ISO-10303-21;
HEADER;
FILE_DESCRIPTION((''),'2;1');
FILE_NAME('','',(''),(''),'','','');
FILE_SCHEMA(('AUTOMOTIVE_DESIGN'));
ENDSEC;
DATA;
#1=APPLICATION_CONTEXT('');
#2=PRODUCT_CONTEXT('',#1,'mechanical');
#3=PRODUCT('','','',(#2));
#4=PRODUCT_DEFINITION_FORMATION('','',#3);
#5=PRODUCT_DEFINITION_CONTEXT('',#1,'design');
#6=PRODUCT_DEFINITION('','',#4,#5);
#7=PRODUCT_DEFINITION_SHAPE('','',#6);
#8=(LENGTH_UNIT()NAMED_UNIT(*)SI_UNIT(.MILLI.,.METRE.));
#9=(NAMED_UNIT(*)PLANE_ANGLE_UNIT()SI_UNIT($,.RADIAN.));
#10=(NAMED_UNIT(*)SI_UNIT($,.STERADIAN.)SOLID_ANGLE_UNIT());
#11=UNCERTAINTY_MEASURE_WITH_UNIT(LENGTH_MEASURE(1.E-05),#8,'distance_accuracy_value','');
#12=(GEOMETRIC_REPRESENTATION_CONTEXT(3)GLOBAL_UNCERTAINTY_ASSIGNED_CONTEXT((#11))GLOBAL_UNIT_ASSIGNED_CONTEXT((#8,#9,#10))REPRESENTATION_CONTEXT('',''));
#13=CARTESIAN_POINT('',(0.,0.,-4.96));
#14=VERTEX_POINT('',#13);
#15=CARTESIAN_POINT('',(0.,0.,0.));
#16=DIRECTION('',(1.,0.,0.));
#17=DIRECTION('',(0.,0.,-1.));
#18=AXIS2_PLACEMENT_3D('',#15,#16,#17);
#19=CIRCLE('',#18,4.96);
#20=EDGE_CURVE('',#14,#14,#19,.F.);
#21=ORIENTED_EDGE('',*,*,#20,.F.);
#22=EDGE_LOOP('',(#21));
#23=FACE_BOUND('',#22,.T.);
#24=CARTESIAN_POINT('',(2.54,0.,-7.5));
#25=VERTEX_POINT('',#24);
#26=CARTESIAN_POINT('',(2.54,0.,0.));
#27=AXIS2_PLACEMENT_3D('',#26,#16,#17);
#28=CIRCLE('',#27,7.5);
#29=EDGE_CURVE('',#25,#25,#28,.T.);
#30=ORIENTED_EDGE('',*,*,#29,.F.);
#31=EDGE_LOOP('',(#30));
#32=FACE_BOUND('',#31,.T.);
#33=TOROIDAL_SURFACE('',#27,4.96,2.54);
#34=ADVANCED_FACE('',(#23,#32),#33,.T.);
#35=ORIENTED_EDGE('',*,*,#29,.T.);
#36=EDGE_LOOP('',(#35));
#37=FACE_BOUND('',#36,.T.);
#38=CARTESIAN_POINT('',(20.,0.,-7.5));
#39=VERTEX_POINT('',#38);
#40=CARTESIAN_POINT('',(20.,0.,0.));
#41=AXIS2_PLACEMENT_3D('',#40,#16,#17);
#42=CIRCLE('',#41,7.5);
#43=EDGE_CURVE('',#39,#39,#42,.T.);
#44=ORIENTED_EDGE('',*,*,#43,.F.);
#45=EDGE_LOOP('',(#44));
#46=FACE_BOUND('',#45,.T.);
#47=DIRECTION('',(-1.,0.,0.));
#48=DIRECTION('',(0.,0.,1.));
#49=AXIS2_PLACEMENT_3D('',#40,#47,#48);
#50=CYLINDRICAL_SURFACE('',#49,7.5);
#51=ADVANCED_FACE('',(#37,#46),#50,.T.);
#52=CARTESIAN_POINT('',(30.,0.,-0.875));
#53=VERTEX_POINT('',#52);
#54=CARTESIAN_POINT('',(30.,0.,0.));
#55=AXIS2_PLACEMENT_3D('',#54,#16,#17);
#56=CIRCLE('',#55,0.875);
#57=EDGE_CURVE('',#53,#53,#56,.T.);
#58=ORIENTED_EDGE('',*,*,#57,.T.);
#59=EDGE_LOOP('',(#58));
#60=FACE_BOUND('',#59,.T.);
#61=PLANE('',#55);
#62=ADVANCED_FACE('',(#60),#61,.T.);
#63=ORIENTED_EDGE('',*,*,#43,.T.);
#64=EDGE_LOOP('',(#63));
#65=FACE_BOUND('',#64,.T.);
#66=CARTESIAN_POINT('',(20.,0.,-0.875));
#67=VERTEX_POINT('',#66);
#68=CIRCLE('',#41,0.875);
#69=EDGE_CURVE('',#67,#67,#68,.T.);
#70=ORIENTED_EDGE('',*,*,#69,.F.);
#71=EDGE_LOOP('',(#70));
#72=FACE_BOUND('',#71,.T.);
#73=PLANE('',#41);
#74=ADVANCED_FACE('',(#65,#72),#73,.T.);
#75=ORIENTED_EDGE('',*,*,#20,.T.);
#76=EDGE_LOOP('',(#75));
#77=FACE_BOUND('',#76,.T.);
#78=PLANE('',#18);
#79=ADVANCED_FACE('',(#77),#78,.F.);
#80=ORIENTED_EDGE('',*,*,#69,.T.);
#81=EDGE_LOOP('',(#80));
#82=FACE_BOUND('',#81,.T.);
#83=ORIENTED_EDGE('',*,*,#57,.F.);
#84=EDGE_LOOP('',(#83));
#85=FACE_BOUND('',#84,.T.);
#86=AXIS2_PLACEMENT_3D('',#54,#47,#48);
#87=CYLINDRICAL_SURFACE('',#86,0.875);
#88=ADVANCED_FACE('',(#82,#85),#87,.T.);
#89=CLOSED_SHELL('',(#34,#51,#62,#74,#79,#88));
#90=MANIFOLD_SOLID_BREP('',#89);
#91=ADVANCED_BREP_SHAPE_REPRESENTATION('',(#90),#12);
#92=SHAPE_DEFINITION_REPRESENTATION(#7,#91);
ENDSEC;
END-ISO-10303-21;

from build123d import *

# Parameters (mm, degrees)
SKETCH1_R           = 7.5
BOSS_EXTRUDE1_DEPTH = 20
SKETCH2_R           = 0.875
BOSS_EXTRUDE2_DEPTH = 10
FILLET1_R           = 2.54


with BuildPart() as part:
    # Sketch1 → Boss-Extrude1 (new body)
    with BuildSketch(Plane(origin=(0, 0, 0), x_dir=(0, 0, -1), z_dir=(1, 0, 0))):
        Circle(SKETCH1_R)
    extrude(amount=BOSS_EXTRUDE1_DEPTH)

    # Sketch2 → Boss-Extrude2 (add)
    with BuildSketch(Plane(origin=(20, 0, 0), x_dir=(0, 0, -1), z_dir=(1, 0, 0))):
        Circle(SKETCH2_R)
    extrude(amount=BOSS_EXTRUDE2_DEPTH)

    # Fillet1
    fillet1_edges = [part.edges().sort_by_distance(p)[0] for p in [
        (0, 0, 7.5),
    ]]
    fillet(fillet1_edges, radius=FILLET1_R)


solid = part.part
